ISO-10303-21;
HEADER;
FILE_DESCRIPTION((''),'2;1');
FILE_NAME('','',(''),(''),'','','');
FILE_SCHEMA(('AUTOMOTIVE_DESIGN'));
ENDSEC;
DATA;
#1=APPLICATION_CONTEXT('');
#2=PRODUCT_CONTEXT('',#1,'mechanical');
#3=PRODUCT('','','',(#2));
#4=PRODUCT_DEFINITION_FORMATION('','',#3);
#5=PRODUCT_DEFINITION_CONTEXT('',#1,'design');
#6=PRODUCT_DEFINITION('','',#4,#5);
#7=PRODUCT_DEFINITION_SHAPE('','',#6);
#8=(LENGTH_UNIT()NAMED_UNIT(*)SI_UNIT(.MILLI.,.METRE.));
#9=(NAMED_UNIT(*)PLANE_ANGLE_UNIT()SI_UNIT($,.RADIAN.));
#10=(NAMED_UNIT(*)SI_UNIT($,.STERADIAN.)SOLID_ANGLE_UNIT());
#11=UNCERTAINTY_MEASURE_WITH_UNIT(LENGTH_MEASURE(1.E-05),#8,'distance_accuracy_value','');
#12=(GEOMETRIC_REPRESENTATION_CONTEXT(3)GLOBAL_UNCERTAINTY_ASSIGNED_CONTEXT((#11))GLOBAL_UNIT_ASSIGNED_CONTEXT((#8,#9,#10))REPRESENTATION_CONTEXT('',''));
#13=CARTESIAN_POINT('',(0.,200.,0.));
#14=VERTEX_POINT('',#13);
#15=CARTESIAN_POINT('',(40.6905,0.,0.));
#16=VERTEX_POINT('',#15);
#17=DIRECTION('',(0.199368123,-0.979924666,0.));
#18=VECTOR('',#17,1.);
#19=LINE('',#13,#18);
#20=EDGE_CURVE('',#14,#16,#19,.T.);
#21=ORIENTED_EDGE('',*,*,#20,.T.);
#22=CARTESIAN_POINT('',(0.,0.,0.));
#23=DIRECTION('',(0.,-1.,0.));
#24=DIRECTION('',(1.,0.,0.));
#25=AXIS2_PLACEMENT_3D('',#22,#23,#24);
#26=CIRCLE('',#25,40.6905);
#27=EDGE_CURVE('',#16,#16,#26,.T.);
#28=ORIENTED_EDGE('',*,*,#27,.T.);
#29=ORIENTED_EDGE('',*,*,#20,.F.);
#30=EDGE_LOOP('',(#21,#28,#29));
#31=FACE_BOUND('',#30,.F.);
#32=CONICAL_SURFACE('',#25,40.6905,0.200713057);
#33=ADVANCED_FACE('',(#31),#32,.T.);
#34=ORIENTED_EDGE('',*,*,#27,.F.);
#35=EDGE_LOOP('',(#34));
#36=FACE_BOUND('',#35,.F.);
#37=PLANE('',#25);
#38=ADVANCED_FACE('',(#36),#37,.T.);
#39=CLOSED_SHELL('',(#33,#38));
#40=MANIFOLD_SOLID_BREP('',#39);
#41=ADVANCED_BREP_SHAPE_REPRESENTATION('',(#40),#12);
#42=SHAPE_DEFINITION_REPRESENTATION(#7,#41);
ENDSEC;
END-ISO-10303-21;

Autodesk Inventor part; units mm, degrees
ref_plane "YZ Plane" through (0, 0, 0) normal (1, 0, 0) x (0, 1, 0)
ref_plane "XZ Plane" through (0, 0, 0) normal (0, 1, 0) x (-1, 0, 0)
ref_plane "XY Plane" through (0, 0, 0) normal (0, 0, 1) x (1, 0, 0)
sketch "Sketch1" plane through (0, 0, 0) normal (0, 0, 1) x (1, 0, 0)
  line L0 (0, 0) -> (40.6905, 0)
  line L1 (40.6905, 0) -> (0, 200)
  line L2 (0, 200) -> (0, 0)
  line L3 (0, 170.305) -> (6.0415, 170.305)
  dimension "d0" = 11.5
  dimension "d1" = 200
  dimension "d3" = 29.695
revolve "Revolution1" add sketch "Sketch1" angle 360 about axis through (0, 200, 0) along (0, -1, 0)
properties part number "Exposure" material "Glass"
